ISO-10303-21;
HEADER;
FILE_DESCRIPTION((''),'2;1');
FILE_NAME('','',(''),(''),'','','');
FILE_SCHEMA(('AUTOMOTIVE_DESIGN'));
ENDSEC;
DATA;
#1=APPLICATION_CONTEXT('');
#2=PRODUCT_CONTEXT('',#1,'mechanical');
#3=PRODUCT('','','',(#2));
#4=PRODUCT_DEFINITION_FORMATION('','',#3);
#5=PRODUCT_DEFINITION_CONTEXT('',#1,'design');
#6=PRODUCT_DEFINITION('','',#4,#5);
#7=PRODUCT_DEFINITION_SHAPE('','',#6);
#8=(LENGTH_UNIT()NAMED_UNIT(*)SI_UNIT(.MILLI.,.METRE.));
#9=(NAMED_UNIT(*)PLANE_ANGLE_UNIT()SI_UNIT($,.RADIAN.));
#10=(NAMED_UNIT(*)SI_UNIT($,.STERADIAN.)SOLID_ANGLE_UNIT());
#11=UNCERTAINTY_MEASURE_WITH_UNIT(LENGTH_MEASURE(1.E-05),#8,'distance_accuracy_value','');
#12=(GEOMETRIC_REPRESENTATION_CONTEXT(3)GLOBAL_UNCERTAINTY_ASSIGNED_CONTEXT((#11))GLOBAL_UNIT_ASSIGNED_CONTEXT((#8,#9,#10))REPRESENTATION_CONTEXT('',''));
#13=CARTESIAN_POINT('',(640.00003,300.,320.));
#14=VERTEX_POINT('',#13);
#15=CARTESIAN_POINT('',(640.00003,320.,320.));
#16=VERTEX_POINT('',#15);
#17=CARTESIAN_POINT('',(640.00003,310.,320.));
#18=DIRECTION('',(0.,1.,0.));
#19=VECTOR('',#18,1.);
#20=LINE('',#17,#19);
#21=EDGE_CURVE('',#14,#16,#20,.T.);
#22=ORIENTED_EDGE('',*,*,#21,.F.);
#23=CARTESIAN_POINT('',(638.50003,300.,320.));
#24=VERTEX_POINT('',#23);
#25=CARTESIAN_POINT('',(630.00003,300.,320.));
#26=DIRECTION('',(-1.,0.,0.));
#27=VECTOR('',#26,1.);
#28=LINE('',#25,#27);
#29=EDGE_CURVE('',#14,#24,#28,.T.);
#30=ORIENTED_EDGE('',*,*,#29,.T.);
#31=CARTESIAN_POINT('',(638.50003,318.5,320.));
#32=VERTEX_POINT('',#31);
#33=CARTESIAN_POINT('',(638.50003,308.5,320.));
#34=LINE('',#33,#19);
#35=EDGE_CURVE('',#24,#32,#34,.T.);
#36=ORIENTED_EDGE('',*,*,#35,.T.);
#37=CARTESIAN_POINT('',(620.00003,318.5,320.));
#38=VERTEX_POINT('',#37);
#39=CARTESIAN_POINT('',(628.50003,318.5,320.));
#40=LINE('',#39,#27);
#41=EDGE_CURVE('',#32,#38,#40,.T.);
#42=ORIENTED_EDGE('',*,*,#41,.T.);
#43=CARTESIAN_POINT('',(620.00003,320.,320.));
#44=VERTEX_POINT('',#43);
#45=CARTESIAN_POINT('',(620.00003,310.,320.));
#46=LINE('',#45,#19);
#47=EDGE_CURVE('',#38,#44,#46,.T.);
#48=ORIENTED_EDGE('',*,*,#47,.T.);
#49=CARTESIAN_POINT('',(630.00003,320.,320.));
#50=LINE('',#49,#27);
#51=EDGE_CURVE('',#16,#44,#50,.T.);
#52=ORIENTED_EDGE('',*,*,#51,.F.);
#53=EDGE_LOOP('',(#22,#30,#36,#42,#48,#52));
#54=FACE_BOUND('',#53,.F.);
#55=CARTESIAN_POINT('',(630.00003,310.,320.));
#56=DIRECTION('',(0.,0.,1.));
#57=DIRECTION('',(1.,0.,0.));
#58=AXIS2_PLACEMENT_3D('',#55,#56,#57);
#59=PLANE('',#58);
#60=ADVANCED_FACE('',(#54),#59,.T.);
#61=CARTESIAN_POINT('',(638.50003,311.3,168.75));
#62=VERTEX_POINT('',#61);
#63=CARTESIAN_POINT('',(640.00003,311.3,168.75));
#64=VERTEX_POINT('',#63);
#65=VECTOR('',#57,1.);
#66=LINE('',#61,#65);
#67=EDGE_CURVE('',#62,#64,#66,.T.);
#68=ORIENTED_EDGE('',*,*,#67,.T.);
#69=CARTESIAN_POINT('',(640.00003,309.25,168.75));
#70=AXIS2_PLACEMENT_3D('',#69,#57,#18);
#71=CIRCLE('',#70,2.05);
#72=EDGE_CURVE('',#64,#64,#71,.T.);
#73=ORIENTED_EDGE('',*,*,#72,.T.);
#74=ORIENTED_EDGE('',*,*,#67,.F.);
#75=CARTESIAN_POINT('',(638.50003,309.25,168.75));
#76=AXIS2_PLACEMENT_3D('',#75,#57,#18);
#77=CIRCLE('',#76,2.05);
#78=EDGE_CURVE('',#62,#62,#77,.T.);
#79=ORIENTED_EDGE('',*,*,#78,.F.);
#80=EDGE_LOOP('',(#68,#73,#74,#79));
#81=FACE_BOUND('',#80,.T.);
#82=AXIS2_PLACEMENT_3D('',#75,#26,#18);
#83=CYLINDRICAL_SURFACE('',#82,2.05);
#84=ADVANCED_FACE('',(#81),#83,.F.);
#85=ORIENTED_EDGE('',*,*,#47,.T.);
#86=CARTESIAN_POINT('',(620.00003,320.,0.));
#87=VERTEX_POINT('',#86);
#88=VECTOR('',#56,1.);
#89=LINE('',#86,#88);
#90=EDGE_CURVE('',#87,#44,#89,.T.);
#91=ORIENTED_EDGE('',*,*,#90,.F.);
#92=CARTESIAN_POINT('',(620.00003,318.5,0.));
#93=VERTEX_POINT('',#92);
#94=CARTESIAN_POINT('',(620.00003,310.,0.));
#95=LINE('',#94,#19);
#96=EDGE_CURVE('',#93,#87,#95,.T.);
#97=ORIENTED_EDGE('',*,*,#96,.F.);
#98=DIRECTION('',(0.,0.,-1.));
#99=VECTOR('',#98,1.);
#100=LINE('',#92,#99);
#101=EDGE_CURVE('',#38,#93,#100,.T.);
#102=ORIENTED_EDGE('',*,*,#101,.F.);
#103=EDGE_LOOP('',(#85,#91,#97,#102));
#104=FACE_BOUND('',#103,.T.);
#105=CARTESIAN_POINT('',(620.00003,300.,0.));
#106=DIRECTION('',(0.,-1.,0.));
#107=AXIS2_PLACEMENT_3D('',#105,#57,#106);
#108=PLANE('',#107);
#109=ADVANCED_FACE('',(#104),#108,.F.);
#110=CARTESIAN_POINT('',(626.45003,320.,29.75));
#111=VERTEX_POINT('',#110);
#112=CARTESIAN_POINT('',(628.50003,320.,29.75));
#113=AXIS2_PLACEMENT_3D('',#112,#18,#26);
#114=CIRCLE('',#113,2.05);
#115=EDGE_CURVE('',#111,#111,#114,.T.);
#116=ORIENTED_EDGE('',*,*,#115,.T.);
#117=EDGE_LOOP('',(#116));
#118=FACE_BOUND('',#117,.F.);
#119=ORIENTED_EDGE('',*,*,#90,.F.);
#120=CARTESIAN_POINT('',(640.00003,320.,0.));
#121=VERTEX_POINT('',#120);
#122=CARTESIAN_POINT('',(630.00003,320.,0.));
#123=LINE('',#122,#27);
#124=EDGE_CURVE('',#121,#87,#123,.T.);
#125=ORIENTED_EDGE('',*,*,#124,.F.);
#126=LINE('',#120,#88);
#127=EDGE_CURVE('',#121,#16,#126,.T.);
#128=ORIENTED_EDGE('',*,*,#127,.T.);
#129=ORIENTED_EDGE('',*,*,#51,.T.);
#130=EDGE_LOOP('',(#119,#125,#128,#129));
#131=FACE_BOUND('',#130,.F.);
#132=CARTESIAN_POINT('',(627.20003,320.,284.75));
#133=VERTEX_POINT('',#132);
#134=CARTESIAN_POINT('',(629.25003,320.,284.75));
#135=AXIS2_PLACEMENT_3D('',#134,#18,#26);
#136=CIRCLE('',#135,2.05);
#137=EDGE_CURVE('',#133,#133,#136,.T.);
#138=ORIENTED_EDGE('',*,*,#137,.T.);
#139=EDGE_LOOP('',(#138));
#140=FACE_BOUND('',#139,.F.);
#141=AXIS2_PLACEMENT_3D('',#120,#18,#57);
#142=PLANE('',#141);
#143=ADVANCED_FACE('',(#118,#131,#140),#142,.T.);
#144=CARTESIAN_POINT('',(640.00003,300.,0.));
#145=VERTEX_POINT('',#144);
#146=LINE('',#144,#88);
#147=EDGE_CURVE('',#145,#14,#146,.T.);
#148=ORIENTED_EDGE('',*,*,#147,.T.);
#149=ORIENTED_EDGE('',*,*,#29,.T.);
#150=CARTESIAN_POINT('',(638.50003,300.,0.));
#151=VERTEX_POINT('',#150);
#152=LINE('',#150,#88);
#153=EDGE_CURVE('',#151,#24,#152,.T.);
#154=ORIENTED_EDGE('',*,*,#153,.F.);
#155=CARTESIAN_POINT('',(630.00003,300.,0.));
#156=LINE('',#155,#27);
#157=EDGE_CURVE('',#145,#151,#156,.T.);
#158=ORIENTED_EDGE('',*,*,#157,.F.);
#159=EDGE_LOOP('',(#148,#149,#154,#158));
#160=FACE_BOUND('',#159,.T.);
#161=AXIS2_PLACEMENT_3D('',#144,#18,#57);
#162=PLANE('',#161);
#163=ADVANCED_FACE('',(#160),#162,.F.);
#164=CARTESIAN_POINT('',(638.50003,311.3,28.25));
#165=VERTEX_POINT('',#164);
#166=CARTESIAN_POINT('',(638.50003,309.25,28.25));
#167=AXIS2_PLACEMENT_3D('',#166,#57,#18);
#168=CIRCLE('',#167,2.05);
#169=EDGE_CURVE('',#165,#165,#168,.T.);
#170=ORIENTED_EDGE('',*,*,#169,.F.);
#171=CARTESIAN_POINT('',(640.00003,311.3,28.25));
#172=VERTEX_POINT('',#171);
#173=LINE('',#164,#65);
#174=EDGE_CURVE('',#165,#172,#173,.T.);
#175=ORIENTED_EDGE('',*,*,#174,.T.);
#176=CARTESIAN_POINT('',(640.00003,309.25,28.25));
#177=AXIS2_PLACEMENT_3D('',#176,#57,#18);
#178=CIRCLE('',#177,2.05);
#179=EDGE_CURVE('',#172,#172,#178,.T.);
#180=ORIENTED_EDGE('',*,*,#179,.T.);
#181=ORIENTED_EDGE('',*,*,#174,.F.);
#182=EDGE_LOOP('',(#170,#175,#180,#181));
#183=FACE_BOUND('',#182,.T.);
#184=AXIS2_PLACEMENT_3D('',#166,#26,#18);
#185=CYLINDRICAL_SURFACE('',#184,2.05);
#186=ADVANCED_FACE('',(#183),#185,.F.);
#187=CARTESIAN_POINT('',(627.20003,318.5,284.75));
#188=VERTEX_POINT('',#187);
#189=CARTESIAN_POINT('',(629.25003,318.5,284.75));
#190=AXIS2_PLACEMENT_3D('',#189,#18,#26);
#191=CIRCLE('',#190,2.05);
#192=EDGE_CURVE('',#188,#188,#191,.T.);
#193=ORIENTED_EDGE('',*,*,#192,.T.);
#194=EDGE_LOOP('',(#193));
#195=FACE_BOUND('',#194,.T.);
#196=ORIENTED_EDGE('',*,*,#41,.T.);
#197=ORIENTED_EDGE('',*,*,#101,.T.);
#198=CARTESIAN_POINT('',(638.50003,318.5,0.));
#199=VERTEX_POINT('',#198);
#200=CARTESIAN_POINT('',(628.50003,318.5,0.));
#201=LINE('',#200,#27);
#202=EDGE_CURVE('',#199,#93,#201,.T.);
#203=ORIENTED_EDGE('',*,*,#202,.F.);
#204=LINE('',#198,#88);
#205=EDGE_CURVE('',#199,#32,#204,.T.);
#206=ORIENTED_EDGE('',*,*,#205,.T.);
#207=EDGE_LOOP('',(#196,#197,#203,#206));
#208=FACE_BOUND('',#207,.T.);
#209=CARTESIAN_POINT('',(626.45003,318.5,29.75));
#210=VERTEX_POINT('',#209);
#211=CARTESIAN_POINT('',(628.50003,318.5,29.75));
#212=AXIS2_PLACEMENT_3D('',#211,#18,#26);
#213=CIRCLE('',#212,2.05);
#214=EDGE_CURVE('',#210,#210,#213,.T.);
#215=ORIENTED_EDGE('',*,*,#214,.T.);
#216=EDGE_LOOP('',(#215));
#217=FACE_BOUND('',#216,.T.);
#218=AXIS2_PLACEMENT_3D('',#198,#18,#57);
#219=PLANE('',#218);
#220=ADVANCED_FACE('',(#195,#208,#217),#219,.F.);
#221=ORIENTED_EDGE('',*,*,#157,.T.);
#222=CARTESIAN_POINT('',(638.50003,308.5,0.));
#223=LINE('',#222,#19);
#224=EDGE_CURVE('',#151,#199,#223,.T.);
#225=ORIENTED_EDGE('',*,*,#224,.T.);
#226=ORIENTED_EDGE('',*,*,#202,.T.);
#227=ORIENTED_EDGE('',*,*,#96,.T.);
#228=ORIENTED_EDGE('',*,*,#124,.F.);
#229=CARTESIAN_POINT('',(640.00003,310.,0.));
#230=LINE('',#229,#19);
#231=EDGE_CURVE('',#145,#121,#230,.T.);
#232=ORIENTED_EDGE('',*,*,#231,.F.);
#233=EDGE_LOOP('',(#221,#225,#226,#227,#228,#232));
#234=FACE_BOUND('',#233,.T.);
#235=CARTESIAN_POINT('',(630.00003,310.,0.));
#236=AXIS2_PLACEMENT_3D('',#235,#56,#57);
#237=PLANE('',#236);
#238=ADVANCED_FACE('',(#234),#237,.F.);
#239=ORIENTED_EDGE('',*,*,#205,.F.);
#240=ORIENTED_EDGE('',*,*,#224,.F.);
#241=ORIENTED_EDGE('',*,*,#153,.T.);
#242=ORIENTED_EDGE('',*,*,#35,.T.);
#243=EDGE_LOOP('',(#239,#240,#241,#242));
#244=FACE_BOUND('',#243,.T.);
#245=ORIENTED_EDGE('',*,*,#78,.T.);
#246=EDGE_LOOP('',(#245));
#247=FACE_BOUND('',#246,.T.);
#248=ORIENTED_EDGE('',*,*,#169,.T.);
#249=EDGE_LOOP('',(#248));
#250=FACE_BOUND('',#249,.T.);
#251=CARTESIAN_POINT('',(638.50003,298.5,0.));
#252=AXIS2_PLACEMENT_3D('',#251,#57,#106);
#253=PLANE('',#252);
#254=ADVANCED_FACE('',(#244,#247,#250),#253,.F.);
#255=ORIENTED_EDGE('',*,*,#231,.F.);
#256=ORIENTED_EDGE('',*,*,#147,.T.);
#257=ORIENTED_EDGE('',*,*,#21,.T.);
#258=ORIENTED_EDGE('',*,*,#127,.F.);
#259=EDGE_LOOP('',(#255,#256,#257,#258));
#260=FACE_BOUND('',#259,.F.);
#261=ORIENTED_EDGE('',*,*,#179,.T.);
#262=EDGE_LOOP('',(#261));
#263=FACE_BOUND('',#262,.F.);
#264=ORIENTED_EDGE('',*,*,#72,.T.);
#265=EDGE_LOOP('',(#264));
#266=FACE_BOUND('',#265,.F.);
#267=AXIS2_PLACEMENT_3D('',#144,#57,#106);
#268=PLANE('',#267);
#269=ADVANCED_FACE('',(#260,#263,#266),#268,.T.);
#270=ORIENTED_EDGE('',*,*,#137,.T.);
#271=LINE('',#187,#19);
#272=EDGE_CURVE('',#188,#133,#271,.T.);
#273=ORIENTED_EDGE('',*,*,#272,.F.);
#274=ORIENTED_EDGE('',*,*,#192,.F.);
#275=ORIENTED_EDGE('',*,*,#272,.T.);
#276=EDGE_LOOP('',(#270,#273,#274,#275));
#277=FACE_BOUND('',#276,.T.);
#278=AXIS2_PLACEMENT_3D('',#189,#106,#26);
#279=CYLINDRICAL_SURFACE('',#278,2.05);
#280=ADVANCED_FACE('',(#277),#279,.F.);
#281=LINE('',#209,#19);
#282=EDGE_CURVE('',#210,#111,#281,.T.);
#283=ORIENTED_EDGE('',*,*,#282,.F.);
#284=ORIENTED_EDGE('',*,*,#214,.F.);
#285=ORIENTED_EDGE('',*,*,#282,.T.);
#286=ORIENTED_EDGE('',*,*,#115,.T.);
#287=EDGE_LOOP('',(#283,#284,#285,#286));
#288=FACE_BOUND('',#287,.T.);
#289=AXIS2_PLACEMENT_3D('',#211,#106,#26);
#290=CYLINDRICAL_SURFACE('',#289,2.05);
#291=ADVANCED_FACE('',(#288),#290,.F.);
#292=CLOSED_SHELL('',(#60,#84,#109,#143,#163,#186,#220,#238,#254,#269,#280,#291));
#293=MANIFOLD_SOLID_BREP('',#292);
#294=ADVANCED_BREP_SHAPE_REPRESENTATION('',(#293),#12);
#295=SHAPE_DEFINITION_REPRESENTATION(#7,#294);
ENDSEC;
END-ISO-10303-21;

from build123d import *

# Parameters (mm, degrees)
BOX009_W      = 20
BOX009_H      = 20
BOX009_DEPTH  = 320
BOX008_W      = 20
BOX008_H      = 20
BOX008_DEPTH  = 320
SKETCH007_R   = 2.05
HOLE002_DEPTH = 1.501
SKETCH017_R   = 2.05
HOLE010_DEPTH = 1.501


with BuildPart() as cut018:
    # Box009 → Box009 (new body)
    with BuildSketch(Plane(origin=(1.5, -1.5, 0), x_dir=(1, 0, 0), z_dir=(0, 0, 1))):
        with Locations((10, 10)):
            Rectangle(BOX009_W, BOX009_H)
    extrude(amount=BOX009_DEPTH)


with BuildPart() as vertical_back_body:
    # Box008 → Box008 (new body)
    with BuildSketch(Plane.XY):
        with Locations((10, 10)):
            Rectangle(BOX008_W, BOX008_H)
    extrude(amount=BOX008_DEPTH)

    # Cut004: cut Cut018
    add(cut018.part, mode=Mode.SUBTRACT)


with BuildPart() as vertical_back_body_1:
    # Cut004 placement: moved
    add(vertical_back_body.part.moved(Location((0, 320, 0))))


with BuildPart() as vertical_back_body_2:
    # BaseFeature002 placement: moved
    add(vertical_back_body_1.part.moved(Location((0, -320, 0))))

    # Sketch007 → Hole002 (cut, through all)
    with BuildSketch(Plane.YZ.offset(1.5)):
        with Locations((9.25, 28.25)):
            Circle(SKETCH007_R)
        with Locations((9.25, 168.75)):
            Circle(SKETCH007_R)
    extrude(amount=-HOLE002_DEPTH, mode=Mode.SUBTRACT)

    # Sketch017 → Hole010 (cut, through all)
    with BuildSketch(Plane.XZ.offset(-18.5)):
        with Locations((10.75, 284.75)):
            Circle(SKETCH017_R)
        with Locations((11.5, 29.75)):
            Circle(SKETCH017_R)
    extrude(amount=-HOLE010_DEPTH, mode=Mode.SUBTRACT)


with BuildPart() as vertical_back_body_3:
    # Body002 placement: moved
    add(vertical_back_body_2.part.moved(Location((0, 300, 0))))


with BuildPart() as vertical_back_left_mirror:
    # Part__Mirroring: instance of vertical_back_body
    add(vertical_back_body_3.part.mirror(Plane(origin=(1.5e-05, 310, 160), x_dir=(0, -1, 0), z_dir=(1, 0, 0))))


with BuildPart() as vertical_back_left_mirror_1:
    # Part__Mirroring placement: moved
    add(vertical_back_left_mirror.part.moved(Location((640, 0, 0))))


solid = vertical_back_left_mirror_1.part
